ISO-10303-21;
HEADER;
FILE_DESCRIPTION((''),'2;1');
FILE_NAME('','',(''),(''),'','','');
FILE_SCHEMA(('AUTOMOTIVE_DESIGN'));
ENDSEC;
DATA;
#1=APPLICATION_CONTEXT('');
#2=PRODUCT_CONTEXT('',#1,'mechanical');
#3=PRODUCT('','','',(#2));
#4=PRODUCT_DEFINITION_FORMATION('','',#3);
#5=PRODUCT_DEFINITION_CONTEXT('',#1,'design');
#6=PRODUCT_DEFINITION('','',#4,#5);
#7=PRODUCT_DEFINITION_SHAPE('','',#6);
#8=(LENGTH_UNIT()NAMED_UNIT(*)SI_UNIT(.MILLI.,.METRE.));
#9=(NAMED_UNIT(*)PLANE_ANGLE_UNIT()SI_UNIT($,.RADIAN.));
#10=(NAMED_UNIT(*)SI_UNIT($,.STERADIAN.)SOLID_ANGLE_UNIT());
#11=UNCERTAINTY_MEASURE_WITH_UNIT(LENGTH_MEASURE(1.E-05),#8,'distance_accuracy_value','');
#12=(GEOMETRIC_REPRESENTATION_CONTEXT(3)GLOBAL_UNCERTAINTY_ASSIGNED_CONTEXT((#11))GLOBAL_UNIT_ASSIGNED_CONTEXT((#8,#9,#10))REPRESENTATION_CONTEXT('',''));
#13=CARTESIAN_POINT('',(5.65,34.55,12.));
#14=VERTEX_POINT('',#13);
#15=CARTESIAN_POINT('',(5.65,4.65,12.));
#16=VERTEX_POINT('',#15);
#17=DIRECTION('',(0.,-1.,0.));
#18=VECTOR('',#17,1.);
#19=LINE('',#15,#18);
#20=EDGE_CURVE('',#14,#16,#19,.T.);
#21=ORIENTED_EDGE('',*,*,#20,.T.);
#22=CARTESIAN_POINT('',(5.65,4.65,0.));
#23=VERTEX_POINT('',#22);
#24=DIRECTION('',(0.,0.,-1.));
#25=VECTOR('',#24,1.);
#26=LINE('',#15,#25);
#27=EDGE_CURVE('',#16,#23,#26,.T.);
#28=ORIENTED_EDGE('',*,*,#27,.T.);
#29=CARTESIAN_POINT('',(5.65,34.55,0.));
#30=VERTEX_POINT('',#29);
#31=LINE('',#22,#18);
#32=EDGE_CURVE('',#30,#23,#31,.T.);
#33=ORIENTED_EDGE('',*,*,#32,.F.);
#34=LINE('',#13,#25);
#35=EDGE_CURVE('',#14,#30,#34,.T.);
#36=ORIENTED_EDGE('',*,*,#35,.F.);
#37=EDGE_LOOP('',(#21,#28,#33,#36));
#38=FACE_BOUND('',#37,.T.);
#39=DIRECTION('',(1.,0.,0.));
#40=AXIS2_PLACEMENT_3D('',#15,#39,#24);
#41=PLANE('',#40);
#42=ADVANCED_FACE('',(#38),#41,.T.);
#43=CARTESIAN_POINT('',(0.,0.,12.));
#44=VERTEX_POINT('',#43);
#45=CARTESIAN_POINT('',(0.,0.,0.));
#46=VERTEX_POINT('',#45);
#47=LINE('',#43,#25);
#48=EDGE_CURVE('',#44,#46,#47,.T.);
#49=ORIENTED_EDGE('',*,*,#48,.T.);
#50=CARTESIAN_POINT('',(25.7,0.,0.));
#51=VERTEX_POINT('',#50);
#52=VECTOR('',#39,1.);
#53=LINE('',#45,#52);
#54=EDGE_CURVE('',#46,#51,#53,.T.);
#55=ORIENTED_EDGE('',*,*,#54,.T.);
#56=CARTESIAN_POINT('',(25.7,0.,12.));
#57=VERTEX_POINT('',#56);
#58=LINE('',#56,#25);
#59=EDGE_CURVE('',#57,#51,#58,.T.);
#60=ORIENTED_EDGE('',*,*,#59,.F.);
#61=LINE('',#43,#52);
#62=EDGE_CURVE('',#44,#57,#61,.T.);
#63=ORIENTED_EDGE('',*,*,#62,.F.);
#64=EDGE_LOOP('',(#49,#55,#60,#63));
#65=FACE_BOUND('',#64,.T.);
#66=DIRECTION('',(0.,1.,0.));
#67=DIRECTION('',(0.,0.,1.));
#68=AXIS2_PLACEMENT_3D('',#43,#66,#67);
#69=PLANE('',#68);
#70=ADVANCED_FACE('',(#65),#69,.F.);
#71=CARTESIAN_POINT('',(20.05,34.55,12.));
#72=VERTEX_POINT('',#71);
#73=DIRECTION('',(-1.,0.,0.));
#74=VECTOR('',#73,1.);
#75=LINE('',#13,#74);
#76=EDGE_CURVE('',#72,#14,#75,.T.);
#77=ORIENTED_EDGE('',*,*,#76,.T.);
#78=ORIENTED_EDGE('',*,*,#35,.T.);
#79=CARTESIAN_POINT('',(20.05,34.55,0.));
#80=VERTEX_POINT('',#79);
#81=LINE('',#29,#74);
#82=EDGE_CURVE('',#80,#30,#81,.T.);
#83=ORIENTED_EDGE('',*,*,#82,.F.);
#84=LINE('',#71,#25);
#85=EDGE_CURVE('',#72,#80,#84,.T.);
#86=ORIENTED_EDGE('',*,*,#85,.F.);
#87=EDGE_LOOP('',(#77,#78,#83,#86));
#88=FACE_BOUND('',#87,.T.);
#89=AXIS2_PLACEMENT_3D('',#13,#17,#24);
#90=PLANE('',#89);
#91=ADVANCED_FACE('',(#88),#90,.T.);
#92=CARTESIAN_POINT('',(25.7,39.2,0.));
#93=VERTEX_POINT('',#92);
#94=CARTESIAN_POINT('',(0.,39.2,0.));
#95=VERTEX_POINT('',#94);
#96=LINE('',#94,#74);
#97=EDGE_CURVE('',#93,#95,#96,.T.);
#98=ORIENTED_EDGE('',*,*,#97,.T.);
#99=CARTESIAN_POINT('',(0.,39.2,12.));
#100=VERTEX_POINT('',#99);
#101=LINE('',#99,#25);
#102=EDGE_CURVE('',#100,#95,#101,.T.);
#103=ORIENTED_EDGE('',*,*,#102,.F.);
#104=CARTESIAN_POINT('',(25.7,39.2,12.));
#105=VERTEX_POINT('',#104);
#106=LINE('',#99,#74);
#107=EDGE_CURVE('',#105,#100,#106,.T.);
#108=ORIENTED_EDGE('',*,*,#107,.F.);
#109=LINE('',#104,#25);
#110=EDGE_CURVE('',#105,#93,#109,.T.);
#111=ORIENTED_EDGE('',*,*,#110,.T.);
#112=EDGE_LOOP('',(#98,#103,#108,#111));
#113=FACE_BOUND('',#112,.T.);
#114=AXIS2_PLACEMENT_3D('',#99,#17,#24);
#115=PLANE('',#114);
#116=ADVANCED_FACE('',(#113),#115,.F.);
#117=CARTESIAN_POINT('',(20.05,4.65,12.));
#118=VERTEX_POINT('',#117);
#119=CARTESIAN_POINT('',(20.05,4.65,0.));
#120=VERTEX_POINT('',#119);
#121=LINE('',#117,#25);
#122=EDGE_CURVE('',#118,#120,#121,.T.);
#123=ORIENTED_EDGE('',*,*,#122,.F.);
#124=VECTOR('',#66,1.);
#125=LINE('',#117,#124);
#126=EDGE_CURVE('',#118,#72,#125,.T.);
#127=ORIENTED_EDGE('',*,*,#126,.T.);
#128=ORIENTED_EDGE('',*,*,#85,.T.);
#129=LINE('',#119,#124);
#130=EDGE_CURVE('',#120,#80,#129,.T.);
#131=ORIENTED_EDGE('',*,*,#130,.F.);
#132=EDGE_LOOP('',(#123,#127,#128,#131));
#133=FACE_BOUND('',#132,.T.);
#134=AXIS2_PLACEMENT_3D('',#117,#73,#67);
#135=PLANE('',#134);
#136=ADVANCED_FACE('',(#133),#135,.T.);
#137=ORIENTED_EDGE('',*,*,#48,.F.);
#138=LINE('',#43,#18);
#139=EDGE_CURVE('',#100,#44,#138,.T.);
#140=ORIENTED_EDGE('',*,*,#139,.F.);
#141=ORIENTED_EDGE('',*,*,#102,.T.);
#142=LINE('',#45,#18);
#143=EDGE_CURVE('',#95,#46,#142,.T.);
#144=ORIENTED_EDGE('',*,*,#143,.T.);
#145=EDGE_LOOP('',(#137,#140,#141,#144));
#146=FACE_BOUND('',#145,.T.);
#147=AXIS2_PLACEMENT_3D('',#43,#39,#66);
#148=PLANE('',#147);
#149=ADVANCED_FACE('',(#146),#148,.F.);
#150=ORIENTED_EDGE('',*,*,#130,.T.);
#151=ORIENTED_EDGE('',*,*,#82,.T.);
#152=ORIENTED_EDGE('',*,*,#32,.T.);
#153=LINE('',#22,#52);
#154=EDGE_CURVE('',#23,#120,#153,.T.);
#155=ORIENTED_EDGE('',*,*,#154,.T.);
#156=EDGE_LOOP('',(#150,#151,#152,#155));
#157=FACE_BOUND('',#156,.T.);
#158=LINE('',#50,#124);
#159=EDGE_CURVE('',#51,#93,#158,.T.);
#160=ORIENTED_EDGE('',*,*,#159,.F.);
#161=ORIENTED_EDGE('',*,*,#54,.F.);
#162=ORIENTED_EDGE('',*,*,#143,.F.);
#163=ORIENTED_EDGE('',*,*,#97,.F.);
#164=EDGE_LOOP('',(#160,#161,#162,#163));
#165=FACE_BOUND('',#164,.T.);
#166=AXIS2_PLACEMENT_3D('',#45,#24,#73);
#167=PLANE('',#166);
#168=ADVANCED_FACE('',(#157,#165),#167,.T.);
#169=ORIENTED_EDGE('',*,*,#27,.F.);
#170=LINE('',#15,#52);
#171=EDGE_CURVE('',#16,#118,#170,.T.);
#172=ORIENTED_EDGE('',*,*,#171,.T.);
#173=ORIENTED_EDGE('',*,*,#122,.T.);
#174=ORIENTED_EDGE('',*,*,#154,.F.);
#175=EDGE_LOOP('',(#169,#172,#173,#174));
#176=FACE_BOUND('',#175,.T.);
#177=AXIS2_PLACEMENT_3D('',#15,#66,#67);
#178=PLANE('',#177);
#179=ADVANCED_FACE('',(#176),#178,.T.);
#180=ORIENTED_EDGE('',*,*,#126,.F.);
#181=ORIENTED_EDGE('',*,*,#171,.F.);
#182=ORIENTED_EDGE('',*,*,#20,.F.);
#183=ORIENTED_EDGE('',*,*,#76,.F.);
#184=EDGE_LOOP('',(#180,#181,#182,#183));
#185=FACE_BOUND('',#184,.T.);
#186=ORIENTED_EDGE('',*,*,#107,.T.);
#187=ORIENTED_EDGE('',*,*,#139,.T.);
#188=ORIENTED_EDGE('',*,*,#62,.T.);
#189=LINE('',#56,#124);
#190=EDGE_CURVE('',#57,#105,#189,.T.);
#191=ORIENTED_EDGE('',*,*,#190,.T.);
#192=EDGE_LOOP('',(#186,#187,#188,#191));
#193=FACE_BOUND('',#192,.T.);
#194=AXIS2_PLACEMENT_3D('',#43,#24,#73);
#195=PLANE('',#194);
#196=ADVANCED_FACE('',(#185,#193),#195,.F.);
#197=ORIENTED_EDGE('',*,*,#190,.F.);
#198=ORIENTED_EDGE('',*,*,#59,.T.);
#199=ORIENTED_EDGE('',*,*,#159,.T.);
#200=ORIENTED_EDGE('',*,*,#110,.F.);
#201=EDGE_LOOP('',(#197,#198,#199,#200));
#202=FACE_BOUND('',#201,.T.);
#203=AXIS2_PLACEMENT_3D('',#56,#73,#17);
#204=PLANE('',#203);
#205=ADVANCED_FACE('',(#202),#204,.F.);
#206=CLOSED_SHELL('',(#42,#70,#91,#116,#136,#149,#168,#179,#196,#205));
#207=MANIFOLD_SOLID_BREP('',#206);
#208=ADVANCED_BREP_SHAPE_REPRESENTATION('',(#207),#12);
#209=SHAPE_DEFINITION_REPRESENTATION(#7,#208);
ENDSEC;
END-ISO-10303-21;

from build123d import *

# Parameters (mm, degrees)
SKETCH3_W           = 25.7
SKETCH3_H           = 39.2
SKETCH3_W_2         = 14.4
SKETCH3_H_2         = 29.9
BOSS_EXTRUDE2_DEPTH = 12


with BuildPart() as part:
    # Sketch3 → Boss-Extrude2 (new body)
    with BuildSketch(Plane.XY):
        with Locations((12.85, 19.6)):
            Rectangle(SKETCH3_W, SKETCH3_H)
        with Locations((12.85, 19.6)):
            Rectangle(SKETCH3_W_2, SKETCH3_H_2, mode=Mode.SUBTRACT)
    extrude(amount=BOSS_EXTRUDE2_DEPTH)


solid = part.part
